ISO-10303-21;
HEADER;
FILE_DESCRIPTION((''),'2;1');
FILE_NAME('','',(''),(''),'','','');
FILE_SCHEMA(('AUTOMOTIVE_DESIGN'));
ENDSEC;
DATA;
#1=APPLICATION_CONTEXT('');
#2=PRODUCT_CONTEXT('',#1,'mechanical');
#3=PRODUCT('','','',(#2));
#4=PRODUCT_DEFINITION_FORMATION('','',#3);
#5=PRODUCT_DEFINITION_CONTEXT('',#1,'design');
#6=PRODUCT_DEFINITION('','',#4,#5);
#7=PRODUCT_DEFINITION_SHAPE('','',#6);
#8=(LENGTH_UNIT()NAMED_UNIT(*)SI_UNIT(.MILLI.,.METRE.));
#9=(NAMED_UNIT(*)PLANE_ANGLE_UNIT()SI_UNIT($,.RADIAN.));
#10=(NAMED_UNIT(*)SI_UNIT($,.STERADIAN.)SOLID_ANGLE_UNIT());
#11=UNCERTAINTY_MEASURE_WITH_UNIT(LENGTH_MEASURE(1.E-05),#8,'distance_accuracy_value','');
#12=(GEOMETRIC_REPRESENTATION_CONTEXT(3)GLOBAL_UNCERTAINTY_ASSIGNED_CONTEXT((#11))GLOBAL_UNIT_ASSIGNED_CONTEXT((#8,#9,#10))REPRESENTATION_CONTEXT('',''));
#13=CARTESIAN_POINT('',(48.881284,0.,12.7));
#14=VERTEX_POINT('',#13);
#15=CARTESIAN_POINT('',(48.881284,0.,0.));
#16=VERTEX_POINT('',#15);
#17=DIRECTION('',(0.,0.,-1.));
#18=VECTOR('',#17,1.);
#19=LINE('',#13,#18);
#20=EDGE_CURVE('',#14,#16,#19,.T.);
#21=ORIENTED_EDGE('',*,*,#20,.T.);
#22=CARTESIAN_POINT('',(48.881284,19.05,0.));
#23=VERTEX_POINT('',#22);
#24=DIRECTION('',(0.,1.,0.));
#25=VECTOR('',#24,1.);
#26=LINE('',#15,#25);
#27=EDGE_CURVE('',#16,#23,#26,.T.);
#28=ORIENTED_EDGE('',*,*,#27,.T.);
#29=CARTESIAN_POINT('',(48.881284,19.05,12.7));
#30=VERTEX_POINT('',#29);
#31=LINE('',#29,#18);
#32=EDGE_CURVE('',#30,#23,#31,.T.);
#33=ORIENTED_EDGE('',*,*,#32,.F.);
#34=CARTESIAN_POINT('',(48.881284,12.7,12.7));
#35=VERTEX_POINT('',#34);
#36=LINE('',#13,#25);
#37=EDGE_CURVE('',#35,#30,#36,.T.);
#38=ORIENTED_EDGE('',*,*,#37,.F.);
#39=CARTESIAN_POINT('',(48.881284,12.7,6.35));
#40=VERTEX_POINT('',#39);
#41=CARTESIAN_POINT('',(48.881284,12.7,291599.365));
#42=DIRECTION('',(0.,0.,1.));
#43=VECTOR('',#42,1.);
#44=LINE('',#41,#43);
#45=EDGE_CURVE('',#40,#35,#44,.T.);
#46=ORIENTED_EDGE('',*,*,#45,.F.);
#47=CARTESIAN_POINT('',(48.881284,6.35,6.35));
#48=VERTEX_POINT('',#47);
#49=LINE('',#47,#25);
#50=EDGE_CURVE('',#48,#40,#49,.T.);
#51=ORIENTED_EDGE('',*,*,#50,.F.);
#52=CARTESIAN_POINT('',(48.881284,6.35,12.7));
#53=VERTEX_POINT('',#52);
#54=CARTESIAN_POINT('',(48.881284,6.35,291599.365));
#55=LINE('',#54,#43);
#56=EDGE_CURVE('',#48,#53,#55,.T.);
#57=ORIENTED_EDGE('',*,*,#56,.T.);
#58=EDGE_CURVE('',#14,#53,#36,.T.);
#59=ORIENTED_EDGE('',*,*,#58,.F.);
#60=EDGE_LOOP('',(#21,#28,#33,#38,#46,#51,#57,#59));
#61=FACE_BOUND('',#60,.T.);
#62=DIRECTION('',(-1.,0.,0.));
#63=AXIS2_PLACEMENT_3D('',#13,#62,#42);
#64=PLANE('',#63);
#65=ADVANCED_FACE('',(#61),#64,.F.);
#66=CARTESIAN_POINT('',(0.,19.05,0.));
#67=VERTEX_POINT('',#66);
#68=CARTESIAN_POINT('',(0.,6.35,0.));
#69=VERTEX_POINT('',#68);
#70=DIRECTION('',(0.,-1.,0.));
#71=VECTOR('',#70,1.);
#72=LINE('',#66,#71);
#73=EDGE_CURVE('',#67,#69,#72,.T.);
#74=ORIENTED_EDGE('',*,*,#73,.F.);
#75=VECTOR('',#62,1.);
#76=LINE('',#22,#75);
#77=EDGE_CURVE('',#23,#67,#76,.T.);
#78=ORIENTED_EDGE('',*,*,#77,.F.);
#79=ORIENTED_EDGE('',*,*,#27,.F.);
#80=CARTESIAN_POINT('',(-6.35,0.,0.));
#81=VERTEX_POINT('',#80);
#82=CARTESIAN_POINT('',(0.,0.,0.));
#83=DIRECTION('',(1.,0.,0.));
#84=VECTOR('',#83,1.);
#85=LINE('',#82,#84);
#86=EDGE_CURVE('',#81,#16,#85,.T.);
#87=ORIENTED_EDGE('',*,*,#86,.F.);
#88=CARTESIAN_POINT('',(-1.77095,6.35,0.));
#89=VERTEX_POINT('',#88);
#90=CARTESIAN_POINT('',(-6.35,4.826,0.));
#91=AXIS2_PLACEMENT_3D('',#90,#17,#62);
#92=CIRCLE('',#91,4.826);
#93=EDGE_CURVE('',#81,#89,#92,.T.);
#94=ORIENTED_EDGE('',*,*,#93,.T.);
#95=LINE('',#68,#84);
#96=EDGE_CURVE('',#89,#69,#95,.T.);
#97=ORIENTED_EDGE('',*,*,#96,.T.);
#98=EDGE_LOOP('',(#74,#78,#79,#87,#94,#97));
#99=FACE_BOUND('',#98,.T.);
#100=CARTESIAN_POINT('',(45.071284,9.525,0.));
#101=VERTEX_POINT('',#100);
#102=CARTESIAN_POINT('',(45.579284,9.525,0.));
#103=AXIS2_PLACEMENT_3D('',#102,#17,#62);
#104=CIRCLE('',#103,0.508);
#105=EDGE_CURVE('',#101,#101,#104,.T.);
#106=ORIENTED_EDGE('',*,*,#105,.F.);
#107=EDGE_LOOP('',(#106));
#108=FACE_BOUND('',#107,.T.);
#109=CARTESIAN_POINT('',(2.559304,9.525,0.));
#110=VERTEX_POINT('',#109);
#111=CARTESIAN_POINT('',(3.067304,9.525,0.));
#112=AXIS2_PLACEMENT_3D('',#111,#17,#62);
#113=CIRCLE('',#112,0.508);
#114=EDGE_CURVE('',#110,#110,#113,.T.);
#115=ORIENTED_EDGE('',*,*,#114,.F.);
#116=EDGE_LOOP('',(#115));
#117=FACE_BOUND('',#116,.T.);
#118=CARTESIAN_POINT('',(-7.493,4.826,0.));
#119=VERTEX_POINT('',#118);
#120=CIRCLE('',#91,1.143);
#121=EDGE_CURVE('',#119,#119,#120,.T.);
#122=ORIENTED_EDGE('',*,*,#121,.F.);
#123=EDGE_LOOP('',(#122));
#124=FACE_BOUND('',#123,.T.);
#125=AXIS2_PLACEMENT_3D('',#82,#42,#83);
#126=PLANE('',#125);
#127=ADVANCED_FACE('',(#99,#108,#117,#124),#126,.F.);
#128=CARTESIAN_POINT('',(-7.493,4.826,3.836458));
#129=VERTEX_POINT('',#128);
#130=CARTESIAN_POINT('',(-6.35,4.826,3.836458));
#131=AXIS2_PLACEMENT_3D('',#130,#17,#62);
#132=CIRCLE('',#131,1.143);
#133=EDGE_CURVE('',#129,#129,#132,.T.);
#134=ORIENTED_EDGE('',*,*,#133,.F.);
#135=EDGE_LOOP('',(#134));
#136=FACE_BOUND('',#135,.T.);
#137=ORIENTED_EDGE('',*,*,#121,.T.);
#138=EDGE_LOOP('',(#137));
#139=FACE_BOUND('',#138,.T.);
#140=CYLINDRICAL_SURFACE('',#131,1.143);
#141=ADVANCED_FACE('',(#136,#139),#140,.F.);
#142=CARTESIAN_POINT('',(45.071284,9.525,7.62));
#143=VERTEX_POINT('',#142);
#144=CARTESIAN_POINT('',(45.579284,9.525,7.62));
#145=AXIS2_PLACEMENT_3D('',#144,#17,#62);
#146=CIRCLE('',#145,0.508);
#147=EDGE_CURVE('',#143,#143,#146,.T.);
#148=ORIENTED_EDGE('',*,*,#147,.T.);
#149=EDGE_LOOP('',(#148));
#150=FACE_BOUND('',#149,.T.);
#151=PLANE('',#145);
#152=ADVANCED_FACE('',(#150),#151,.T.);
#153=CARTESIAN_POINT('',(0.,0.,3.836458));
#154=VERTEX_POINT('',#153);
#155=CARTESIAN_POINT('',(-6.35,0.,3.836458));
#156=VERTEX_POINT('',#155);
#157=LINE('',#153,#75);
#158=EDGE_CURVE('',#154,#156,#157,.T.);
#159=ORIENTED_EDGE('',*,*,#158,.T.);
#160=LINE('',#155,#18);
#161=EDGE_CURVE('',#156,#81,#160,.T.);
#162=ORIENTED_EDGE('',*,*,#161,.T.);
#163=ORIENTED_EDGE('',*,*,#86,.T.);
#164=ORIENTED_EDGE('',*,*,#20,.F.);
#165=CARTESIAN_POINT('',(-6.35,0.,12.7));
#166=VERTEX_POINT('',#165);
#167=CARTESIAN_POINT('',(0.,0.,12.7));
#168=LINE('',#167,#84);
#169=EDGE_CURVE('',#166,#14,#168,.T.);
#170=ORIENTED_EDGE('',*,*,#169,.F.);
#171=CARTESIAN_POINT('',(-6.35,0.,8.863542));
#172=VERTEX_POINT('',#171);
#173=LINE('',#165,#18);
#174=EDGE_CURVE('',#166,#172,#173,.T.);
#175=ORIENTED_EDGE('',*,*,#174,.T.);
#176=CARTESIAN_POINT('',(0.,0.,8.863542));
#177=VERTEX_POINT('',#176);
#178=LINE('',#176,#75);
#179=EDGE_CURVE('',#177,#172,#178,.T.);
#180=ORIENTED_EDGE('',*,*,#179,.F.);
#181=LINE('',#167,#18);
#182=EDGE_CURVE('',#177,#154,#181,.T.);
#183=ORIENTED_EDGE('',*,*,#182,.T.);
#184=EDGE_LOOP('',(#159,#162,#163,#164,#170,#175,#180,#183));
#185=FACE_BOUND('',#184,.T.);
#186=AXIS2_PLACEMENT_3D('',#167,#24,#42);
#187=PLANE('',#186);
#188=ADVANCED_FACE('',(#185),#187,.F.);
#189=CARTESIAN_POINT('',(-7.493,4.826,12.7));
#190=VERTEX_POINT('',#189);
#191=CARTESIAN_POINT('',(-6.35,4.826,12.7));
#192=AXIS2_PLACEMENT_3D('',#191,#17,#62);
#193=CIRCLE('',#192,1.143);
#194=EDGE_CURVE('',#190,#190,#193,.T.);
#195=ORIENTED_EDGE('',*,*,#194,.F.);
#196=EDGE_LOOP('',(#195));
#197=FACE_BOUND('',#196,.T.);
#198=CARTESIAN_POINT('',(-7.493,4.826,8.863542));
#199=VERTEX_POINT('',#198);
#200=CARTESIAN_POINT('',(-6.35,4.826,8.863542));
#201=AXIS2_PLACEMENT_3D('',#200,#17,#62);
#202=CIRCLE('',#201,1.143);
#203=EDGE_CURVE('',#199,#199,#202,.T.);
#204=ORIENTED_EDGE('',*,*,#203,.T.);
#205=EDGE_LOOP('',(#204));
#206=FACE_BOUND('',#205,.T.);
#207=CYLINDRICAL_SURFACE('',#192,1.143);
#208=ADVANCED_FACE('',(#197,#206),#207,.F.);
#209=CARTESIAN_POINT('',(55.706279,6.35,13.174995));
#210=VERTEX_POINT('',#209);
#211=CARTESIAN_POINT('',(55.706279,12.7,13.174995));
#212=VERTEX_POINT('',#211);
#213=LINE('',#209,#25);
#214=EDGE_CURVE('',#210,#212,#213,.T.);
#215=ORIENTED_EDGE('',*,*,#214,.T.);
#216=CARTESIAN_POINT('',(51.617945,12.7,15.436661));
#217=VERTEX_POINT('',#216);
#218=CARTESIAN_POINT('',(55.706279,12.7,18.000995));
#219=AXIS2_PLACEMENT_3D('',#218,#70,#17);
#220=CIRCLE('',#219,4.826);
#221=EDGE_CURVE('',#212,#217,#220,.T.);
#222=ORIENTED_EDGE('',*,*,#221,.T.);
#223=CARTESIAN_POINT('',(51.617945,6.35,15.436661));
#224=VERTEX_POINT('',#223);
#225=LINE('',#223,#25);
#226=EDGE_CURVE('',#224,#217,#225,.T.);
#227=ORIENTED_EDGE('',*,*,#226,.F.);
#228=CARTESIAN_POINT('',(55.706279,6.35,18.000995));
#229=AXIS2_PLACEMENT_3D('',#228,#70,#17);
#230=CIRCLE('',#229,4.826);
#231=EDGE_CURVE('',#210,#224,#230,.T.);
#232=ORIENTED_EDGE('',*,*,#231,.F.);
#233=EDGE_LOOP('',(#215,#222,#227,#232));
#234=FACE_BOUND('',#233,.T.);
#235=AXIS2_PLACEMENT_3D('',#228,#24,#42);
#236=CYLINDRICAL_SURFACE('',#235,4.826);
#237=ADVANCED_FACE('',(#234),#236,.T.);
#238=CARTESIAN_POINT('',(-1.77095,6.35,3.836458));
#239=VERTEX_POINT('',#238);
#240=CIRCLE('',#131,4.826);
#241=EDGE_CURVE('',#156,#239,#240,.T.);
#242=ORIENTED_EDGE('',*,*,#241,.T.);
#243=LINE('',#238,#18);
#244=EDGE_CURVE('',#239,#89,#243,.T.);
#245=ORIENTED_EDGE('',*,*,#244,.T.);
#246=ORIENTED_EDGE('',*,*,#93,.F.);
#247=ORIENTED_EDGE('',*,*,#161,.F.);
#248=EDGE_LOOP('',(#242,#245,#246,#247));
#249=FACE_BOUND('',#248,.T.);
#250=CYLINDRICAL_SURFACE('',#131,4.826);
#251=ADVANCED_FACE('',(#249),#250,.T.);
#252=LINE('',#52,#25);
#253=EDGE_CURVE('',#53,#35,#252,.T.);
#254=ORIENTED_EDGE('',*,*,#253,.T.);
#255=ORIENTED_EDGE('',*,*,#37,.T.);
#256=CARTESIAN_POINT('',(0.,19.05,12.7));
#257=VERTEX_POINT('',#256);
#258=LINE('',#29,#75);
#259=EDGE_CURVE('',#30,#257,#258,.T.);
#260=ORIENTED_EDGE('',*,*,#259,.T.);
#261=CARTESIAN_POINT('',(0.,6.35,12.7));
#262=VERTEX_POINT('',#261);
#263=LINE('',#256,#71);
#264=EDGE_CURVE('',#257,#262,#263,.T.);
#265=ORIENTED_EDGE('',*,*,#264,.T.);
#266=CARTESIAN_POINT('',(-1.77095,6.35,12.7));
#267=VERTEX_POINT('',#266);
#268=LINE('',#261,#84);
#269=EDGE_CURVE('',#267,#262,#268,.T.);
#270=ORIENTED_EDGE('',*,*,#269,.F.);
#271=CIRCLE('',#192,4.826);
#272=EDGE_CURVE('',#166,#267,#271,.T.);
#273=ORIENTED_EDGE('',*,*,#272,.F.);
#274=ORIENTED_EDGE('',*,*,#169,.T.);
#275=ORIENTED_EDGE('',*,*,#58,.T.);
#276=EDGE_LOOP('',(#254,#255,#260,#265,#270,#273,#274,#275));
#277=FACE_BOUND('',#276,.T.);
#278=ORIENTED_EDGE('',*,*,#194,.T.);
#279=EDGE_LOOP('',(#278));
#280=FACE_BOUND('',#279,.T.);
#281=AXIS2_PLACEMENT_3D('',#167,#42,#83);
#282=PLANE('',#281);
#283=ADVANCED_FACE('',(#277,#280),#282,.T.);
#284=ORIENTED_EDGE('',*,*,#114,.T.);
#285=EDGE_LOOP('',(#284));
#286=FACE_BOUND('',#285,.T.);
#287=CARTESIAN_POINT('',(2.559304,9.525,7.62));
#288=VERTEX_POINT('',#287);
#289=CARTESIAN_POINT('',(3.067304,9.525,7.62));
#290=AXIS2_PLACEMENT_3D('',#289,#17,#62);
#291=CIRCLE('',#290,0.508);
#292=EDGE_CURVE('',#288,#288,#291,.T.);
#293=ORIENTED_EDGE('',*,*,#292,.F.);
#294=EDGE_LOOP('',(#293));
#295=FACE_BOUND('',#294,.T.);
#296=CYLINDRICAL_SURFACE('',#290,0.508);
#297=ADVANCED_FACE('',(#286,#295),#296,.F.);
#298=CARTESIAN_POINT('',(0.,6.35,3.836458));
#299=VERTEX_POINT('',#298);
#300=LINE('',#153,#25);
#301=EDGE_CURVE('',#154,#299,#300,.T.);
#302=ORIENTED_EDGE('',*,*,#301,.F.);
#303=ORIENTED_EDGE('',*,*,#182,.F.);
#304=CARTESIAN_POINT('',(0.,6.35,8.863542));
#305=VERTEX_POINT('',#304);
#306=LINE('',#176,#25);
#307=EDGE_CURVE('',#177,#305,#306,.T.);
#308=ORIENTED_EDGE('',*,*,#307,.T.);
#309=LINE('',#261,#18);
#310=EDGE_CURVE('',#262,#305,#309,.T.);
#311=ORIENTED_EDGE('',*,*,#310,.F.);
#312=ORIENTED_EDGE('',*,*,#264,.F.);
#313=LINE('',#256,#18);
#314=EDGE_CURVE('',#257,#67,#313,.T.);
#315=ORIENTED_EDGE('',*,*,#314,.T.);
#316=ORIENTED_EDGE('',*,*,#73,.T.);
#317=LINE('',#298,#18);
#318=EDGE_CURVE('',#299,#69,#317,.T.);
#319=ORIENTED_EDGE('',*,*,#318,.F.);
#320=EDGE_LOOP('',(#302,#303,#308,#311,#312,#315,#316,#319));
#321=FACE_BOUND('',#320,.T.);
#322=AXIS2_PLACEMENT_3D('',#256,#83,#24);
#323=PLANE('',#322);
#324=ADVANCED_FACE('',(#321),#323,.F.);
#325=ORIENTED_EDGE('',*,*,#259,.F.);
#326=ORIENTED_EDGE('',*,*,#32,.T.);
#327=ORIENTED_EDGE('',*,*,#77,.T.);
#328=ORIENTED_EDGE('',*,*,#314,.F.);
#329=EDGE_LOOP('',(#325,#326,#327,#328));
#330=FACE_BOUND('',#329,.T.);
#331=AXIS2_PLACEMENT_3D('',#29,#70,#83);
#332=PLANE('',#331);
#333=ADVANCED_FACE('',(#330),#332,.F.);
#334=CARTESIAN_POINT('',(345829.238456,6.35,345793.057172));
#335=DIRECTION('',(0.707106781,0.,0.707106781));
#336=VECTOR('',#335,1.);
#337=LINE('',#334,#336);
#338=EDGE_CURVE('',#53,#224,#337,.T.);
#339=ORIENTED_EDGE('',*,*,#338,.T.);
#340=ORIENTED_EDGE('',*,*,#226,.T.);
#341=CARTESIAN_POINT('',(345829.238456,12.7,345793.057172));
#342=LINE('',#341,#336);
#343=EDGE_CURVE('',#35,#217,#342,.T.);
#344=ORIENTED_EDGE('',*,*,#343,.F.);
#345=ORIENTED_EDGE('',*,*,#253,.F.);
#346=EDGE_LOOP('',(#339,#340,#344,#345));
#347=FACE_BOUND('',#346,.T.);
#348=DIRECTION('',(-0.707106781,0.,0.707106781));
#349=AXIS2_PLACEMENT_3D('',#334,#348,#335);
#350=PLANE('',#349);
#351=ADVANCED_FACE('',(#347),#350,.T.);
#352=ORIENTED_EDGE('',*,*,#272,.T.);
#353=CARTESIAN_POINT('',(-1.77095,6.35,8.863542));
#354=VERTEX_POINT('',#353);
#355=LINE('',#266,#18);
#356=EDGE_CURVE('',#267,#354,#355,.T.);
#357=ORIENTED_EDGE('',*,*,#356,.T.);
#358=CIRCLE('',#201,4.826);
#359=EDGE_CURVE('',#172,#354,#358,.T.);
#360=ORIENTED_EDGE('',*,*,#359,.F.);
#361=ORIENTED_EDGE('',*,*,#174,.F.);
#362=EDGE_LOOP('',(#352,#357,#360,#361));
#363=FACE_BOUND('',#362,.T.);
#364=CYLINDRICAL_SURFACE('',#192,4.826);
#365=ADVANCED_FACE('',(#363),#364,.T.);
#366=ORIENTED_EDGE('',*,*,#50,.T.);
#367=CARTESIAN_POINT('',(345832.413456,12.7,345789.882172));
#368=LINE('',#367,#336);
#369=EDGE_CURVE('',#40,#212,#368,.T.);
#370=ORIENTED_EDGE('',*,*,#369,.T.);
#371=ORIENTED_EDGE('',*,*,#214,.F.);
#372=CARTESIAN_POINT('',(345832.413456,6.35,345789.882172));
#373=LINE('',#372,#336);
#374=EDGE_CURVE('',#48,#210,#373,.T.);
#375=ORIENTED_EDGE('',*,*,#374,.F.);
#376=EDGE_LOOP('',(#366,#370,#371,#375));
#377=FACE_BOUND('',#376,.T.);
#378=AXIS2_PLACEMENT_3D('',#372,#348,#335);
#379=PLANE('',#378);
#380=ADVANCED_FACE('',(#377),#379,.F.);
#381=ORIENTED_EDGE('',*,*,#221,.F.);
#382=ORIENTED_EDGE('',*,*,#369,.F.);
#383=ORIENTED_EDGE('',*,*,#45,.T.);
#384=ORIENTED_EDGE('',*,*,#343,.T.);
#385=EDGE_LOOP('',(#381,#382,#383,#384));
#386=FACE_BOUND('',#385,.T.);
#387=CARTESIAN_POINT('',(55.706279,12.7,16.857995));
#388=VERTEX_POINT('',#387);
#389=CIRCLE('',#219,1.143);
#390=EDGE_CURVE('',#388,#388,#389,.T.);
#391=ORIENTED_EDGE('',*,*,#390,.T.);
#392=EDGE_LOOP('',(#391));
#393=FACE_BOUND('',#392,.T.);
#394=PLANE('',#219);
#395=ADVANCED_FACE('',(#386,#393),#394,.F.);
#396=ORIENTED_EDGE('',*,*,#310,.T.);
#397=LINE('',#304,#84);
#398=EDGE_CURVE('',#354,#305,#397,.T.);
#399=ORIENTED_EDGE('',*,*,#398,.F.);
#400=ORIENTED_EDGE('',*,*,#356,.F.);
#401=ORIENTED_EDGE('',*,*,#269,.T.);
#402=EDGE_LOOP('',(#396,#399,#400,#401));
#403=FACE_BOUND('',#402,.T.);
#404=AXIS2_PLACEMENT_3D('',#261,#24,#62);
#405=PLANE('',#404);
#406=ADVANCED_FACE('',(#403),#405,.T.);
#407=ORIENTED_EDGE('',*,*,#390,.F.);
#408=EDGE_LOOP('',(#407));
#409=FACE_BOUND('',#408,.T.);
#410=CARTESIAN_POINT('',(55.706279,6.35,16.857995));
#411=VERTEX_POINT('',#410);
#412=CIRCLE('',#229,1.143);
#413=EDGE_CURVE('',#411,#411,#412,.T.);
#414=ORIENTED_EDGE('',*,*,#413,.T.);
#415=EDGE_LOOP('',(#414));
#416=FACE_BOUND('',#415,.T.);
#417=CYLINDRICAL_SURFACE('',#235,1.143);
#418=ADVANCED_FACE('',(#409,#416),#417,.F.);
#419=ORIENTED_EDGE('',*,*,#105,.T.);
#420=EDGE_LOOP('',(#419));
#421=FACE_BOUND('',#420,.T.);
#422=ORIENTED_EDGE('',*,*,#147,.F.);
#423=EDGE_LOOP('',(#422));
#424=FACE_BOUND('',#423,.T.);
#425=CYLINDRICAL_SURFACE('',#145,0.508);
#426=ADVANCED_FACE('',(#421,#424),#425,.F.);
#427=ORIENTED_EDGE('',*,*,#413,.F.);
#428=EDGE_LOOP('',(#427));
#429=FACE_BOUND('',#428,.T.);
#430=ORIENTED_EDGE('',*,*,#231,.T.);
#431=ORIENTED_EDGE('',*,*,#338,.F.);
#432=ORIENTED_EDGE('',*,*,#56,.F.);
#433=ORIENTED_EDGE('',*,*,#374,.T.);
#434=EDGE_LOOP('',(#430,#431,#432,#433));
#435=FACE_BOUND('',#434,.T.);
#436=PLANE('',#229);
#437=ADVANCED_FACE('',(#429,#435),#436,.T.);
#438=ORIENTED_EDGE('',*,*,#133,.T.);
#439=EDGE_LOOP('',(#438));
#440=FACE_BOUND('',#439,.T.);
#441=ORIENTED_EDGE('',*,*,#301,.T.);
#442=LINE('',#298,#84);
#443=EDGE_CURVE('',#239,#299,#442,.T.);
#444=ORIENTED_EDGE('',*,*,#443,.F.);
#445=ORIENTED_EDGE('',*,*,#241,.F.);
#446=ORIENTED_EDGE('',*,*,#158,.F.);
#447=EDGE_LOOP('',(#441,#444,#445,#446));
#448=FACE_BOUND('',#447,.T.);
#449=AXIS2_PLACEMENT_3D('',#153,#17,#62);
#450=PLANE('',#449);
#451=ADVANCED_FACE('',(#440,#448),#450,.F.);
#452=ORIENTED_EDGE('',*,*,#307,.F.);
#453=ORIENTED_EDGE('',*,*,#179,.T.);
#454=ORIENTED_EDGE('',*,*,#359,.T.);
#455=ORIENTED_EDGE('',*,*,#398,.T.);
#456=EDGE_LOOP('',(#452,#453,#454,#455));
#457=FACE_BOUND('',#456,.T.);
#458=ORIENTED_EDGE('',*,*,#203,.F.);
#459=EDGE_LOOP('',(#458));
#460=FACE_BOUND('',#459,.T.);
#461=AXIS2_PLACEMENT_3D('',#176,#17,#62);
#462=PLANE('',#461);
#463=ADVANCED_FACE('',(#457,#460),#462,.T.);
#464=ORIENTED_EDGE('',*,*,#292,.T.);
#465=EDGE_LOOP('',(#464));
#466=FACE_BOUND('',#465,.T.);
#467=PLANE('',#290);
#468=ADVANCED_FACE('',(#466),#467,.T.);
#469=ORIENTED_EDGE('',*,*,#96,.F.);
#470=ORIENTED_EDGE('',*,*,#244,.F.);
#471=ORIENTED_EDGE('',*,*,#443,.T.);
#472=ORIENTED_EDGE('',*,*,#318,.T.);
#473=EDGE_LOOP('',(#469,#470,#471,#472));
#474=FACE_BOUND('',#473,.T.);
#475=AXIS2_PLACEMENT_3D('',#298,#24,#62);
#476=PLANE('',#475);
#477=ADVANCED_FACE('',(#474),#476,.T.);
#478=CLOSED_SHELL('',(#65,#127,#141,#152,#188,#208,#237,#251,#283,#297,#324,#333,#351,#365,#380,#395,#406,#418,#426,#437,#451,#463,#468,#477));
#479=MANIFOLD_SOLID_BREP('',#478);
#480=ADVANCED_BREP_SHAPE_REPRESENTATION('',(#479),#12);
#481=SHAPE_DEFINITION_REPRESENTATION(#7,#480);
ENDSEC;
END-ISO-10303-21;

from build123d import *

# Parameters (mm, degrees)
SKETCH1_W           = 48.881284
SKETCH1_H           = 19.05
BOSS_EXTRUDE2_DEPTH = 12.7
BOSS_EXTRUDE3_DEPTH = 3.836458333
LPATTERN1_COUNT     = 2
LPATTERN1_PITCH     = 8.863541667
BOSS_EXTRUDE5_START = -9.525
SKETCH3_R           = 1.143
BOSS_EXTRUDE5_DEPTH = 3.175
SKETCH4_R           = 0.508
CUT_EXTRUDE1_DEPTH  = 7.62


with BuildPart() as part:
    # Sketch1 → Boss-Extrude2 (new body)
    with BuildSketch(Plane.XY):
        with Locations((24.440642, 9.525)):
            Rectangle(SKETCH1_W, SKETCH1_H)
    extrude(amount=BOSS_EXTRUDE2_DEPTH)

    # Sketch2 → Boss-Extrude3 (add)
    with BuildSketch(Plane(origin=(0, 0, 0), x_dir=(-1, 0, 0), z_dir=(0, 0, -1))):
        with BuildLine():
            ThreePointArc((1.77094988, 6.35), (2.435597108, 2.003283932), (6.35, 0))
            Line((6.35, 0), (6.35, 3.683))
            ThreePointArc((6.35, 3.683), (5.207, 4.826), (6.35, 5.969))
            Line((6.35, 5.969), (6.35, 6.35))
            Line((6.35, 6.35), (1.77094988, 6.35))
        make_face()
        with BuildLine():
            Line((6.35, 3.683), (6.35, 0))
            ThreePointArc((6.35, 0), (9.762497326, 1.413502674), (11.176, 4.826))
            ThreePointArc((11.176, 4.826), (7.121939156, 9.589862502), (1.77094988, 6.35))
            Line((1.77094988, 6.35), (6.35, 6.35))
            Line((6.35, 6.35), (6.35, 5.969))
            ThreePointArc((6.35, 5.969), (7.158223051, 5.634223051), (7.493, 4.826))
            ThreePointArc((7.493, 4.826), (7.158223051, 4.017776949), (6.35, 3.683))
        make_face()
        with BuildLine():
            Line((0, 6.35), (0, 0))
            Line((0, 0), (6.35, 0))
            ThreePointArc((6.35, 0), (2.435597108, 2.003283932), (1.77094988, 6.35))
            Line((1.77094988, 6.35), (0, 6.35))
        make_face()
    boss_extrude3 = extrude(amount=-BOSS_EXTRUDE3_DEPTH)

    # LPattern1: Boss-Extrude3 ×2
    with Locations(*[(0, 0, i * LPATTERN1_PITCH) for i in range(1, LPATTERN1_COUNT)]):
        add(boss_extrude3)

    # Sketch3 → Boss-Extrude5 (add, symmetric)
    with BuildSketch(Plane.XZ.offset(BOSS_EXTRUDE5_START)):
        with BuildLine():
            Line((51.617945235, 15.436661235), (48.881284, 12.7))
            Line((48.881284, 12.7), (48.881284, 6.35))
            Line((48.881284, 6.35), (55.706278652, 13.174994652))
            ThreePointArc((55.706278652, 13.174994652), (58.04238684, 22.223893483), (51.617945235, 15.436661235))
        make_face()
        with Locations(Location((55.706278652, 18.000994652, 0), (0, 0, 270))):
            Circle(SKETCH3_R, mode=Mode.SUBTRACT)
    extrude(amount=BOSS_EXTRUDE5_DEPTH, both=True)

    # Sketch4 → Cut-Extrude1 (cut)
    with BuildSketch(Plane(origin=(0, 0, 0), x_dir=(-1, 0, 0), z_dir=(0, 0, -1))):
        with Locations((-45.579284, 9.525)):
            Circle(SKETCH4_R)
        with Locations((-3.067304, 9.525)):
            Circle(SKETCH4_R)
    extrude(amount=-CUT_EXTRUDE1_DEPTH, mode=Mode.SUBTRACT)


solid = part.part
